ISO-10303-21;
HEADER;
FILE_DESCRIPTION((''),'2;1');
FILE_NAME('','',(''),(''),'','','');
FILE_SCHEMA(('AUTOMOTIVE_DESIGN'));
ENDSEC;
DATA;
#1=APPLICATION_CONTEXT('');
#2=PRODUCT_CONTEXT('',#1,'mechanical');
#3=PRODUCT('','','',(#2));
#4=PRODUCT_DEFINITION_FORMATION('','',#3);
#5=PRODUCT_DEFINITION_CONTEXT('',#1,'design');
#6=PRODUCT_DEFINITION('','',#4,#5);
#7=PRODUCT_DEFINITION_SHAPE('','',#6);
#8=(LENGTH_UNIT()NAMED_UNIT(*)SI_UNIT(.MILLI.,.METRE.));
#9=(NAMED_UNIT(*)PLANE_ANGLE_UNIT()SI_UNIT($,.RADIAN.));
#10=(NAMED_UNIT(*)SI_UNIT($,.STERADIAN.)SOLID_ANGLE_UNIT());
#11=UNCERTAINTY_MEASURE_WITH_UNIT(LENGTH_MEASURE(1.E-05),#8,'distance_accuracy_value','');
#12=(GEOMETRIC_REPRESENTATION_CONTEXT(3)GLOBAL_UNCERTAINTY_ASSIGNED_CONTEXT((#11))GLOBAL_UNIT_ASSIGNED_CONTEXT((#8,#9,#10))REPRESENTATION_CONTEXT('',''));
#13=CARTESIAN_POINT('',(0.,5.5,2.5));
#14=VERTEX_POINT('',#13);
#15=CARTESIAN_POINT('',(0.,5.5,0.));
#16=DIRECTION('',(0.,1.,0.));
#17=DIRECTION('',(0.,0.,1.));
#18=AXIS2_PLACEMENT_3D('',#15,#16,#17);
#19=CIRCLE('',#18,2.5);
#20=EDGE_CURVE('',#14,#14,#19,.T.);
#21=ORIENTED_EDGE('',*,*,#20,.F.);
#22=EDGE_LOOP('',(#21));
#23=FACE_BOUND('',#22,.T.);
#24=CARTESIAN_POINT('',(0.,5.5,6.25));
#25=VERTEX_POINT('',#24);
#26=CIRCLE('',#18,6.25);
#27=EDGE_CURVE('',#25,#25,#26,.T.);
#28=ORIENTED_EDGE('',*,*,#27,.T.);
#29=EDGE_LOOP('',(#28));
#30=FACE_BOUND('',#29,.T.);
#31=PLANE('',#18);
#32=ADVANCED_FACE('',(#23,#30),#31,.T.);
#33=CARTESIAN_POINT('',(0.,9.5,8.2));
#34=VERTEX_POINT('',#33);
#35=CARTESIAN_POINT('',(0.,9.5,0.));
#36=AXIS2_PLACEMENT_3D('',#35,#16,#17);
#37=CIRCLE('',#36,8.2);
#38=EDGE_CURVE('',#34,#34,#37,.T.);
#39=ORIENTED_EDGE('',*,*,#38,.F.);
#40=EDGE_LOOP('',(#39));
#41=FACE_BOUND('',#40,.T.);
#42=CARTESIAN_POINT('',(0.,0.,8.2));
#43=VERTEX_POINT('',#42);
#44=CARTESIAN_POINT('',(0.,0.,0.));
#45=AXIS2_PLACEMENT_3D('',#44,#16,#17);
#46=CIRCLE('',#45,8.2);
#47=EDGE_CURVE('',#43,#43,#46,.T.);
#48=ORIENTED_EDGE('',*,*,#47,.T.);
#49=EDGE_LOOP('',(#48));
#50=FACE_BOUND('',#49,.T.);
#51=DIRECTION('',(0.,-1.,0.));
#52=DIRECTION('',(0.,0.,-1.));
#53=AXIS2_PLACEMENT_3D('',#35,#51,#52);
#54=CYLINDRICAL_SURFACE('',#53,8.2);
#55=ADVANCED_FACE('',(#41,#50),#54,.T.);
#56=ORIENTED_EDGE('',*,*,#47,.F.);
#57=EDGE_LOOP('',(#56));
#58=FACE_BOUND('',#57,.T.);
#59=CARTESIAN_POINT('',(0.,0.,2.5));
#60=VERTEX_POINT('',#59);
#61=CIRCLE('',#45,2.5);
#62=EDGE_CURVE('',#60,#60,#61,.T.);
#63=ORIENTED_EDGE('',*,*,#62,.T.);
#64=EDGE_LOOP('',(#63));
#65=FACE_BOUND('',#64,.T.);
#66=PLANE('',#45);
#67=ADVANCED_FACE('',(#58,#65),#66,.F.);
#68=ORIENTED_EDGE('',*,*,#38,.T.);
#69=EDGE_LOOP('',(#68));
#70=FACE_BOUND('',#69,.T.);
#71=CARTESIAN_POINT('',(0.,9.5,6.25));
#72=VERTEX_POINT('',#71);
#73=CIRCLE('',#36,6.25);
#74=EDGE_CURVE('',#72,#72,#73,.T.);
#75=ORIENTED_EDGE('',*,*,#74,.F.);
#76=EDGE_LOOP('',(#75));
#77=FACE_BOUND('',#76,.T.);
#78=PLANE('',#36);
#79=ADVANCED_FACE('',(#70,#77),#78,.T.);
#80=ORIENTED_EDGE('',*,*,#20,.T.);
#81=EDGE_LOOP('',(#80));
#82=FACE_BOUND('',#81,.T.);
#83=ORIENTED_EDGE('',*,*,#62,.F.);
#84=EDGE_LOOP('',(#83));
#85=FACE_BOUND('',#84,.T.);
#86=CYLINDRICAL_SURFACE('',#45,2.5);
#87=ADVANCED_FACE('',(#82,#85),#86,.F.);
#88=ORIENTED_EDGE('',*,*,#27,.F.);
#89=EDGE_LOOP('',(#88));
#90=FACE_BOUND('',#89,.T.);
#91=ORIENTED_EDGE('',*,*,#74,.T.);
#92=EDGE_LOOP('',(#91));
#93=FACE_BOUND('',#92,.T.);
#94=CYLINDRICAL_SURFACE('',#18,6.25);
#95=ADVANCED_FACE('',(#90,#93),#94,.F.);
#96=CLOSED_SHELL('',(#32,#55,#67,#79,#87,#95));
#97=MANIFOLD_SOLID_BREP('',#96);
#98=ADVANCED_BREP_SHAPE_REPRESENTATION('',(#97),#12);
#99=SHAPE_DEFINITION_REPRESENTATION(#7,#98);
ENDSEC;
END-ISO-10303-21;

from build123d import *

# Parameters (mm, degrees)
SKETCH1_R           = 8.2
BOSS_EXTRUDE1_DEPTH = 9.5
SKETCH2_R           = 6.25
CUT_EXTRUDE1_DEPTH  = 4
SKETCH3_R           = 2.5
CUT_EXTRUDE2_DEPTH  = 13.83471854


with BuildPart() as part:
    # Sketch1 → Boss-Extrude1 (new body)
    with BuildSketch(Plane(origin=(0, 0, 0), x_dir=(1, 0, 0), z_dir=(0, 1, 0))):
        with Locations(Location((0, 0, 0), (0, 0, 270))):
            Circle(SKETCH1_R)
    extrude(amount=BOSS_EXTRUDE1_DEPTH)

    # Sketch2 → Cut-Extrude1 (cut)
    with BuildSketch(Plane(origin=(0, 9.5, 0), x_dir=(1, 0, 0), z_dir=(0, 1, 0))):
        with Locations(Location((0, 0, 0), (0, 0, 270))):
            Circle(SKETCH2_R)
    extrude(amount=-CUT_EXTRUDE1_DEPTH, mode=Mode.SUBTRACT)

    # Sketch3 → Cut-Extrude2 (cut, through all)
    with BuildSketch(Plane(origin=(0, 5.5, 0), x_dir=(1, 0, 0), z_dir=(0, 1, 0))):
        with Locations(Location((0, 0, 0), (0, 0, 270))):
            Circle(SKETCH3_R)
    extrude(amount=-CUT_EXTRUDE2_DEPTH, mode=Mode.SUBTRACT)


solid = part.part
